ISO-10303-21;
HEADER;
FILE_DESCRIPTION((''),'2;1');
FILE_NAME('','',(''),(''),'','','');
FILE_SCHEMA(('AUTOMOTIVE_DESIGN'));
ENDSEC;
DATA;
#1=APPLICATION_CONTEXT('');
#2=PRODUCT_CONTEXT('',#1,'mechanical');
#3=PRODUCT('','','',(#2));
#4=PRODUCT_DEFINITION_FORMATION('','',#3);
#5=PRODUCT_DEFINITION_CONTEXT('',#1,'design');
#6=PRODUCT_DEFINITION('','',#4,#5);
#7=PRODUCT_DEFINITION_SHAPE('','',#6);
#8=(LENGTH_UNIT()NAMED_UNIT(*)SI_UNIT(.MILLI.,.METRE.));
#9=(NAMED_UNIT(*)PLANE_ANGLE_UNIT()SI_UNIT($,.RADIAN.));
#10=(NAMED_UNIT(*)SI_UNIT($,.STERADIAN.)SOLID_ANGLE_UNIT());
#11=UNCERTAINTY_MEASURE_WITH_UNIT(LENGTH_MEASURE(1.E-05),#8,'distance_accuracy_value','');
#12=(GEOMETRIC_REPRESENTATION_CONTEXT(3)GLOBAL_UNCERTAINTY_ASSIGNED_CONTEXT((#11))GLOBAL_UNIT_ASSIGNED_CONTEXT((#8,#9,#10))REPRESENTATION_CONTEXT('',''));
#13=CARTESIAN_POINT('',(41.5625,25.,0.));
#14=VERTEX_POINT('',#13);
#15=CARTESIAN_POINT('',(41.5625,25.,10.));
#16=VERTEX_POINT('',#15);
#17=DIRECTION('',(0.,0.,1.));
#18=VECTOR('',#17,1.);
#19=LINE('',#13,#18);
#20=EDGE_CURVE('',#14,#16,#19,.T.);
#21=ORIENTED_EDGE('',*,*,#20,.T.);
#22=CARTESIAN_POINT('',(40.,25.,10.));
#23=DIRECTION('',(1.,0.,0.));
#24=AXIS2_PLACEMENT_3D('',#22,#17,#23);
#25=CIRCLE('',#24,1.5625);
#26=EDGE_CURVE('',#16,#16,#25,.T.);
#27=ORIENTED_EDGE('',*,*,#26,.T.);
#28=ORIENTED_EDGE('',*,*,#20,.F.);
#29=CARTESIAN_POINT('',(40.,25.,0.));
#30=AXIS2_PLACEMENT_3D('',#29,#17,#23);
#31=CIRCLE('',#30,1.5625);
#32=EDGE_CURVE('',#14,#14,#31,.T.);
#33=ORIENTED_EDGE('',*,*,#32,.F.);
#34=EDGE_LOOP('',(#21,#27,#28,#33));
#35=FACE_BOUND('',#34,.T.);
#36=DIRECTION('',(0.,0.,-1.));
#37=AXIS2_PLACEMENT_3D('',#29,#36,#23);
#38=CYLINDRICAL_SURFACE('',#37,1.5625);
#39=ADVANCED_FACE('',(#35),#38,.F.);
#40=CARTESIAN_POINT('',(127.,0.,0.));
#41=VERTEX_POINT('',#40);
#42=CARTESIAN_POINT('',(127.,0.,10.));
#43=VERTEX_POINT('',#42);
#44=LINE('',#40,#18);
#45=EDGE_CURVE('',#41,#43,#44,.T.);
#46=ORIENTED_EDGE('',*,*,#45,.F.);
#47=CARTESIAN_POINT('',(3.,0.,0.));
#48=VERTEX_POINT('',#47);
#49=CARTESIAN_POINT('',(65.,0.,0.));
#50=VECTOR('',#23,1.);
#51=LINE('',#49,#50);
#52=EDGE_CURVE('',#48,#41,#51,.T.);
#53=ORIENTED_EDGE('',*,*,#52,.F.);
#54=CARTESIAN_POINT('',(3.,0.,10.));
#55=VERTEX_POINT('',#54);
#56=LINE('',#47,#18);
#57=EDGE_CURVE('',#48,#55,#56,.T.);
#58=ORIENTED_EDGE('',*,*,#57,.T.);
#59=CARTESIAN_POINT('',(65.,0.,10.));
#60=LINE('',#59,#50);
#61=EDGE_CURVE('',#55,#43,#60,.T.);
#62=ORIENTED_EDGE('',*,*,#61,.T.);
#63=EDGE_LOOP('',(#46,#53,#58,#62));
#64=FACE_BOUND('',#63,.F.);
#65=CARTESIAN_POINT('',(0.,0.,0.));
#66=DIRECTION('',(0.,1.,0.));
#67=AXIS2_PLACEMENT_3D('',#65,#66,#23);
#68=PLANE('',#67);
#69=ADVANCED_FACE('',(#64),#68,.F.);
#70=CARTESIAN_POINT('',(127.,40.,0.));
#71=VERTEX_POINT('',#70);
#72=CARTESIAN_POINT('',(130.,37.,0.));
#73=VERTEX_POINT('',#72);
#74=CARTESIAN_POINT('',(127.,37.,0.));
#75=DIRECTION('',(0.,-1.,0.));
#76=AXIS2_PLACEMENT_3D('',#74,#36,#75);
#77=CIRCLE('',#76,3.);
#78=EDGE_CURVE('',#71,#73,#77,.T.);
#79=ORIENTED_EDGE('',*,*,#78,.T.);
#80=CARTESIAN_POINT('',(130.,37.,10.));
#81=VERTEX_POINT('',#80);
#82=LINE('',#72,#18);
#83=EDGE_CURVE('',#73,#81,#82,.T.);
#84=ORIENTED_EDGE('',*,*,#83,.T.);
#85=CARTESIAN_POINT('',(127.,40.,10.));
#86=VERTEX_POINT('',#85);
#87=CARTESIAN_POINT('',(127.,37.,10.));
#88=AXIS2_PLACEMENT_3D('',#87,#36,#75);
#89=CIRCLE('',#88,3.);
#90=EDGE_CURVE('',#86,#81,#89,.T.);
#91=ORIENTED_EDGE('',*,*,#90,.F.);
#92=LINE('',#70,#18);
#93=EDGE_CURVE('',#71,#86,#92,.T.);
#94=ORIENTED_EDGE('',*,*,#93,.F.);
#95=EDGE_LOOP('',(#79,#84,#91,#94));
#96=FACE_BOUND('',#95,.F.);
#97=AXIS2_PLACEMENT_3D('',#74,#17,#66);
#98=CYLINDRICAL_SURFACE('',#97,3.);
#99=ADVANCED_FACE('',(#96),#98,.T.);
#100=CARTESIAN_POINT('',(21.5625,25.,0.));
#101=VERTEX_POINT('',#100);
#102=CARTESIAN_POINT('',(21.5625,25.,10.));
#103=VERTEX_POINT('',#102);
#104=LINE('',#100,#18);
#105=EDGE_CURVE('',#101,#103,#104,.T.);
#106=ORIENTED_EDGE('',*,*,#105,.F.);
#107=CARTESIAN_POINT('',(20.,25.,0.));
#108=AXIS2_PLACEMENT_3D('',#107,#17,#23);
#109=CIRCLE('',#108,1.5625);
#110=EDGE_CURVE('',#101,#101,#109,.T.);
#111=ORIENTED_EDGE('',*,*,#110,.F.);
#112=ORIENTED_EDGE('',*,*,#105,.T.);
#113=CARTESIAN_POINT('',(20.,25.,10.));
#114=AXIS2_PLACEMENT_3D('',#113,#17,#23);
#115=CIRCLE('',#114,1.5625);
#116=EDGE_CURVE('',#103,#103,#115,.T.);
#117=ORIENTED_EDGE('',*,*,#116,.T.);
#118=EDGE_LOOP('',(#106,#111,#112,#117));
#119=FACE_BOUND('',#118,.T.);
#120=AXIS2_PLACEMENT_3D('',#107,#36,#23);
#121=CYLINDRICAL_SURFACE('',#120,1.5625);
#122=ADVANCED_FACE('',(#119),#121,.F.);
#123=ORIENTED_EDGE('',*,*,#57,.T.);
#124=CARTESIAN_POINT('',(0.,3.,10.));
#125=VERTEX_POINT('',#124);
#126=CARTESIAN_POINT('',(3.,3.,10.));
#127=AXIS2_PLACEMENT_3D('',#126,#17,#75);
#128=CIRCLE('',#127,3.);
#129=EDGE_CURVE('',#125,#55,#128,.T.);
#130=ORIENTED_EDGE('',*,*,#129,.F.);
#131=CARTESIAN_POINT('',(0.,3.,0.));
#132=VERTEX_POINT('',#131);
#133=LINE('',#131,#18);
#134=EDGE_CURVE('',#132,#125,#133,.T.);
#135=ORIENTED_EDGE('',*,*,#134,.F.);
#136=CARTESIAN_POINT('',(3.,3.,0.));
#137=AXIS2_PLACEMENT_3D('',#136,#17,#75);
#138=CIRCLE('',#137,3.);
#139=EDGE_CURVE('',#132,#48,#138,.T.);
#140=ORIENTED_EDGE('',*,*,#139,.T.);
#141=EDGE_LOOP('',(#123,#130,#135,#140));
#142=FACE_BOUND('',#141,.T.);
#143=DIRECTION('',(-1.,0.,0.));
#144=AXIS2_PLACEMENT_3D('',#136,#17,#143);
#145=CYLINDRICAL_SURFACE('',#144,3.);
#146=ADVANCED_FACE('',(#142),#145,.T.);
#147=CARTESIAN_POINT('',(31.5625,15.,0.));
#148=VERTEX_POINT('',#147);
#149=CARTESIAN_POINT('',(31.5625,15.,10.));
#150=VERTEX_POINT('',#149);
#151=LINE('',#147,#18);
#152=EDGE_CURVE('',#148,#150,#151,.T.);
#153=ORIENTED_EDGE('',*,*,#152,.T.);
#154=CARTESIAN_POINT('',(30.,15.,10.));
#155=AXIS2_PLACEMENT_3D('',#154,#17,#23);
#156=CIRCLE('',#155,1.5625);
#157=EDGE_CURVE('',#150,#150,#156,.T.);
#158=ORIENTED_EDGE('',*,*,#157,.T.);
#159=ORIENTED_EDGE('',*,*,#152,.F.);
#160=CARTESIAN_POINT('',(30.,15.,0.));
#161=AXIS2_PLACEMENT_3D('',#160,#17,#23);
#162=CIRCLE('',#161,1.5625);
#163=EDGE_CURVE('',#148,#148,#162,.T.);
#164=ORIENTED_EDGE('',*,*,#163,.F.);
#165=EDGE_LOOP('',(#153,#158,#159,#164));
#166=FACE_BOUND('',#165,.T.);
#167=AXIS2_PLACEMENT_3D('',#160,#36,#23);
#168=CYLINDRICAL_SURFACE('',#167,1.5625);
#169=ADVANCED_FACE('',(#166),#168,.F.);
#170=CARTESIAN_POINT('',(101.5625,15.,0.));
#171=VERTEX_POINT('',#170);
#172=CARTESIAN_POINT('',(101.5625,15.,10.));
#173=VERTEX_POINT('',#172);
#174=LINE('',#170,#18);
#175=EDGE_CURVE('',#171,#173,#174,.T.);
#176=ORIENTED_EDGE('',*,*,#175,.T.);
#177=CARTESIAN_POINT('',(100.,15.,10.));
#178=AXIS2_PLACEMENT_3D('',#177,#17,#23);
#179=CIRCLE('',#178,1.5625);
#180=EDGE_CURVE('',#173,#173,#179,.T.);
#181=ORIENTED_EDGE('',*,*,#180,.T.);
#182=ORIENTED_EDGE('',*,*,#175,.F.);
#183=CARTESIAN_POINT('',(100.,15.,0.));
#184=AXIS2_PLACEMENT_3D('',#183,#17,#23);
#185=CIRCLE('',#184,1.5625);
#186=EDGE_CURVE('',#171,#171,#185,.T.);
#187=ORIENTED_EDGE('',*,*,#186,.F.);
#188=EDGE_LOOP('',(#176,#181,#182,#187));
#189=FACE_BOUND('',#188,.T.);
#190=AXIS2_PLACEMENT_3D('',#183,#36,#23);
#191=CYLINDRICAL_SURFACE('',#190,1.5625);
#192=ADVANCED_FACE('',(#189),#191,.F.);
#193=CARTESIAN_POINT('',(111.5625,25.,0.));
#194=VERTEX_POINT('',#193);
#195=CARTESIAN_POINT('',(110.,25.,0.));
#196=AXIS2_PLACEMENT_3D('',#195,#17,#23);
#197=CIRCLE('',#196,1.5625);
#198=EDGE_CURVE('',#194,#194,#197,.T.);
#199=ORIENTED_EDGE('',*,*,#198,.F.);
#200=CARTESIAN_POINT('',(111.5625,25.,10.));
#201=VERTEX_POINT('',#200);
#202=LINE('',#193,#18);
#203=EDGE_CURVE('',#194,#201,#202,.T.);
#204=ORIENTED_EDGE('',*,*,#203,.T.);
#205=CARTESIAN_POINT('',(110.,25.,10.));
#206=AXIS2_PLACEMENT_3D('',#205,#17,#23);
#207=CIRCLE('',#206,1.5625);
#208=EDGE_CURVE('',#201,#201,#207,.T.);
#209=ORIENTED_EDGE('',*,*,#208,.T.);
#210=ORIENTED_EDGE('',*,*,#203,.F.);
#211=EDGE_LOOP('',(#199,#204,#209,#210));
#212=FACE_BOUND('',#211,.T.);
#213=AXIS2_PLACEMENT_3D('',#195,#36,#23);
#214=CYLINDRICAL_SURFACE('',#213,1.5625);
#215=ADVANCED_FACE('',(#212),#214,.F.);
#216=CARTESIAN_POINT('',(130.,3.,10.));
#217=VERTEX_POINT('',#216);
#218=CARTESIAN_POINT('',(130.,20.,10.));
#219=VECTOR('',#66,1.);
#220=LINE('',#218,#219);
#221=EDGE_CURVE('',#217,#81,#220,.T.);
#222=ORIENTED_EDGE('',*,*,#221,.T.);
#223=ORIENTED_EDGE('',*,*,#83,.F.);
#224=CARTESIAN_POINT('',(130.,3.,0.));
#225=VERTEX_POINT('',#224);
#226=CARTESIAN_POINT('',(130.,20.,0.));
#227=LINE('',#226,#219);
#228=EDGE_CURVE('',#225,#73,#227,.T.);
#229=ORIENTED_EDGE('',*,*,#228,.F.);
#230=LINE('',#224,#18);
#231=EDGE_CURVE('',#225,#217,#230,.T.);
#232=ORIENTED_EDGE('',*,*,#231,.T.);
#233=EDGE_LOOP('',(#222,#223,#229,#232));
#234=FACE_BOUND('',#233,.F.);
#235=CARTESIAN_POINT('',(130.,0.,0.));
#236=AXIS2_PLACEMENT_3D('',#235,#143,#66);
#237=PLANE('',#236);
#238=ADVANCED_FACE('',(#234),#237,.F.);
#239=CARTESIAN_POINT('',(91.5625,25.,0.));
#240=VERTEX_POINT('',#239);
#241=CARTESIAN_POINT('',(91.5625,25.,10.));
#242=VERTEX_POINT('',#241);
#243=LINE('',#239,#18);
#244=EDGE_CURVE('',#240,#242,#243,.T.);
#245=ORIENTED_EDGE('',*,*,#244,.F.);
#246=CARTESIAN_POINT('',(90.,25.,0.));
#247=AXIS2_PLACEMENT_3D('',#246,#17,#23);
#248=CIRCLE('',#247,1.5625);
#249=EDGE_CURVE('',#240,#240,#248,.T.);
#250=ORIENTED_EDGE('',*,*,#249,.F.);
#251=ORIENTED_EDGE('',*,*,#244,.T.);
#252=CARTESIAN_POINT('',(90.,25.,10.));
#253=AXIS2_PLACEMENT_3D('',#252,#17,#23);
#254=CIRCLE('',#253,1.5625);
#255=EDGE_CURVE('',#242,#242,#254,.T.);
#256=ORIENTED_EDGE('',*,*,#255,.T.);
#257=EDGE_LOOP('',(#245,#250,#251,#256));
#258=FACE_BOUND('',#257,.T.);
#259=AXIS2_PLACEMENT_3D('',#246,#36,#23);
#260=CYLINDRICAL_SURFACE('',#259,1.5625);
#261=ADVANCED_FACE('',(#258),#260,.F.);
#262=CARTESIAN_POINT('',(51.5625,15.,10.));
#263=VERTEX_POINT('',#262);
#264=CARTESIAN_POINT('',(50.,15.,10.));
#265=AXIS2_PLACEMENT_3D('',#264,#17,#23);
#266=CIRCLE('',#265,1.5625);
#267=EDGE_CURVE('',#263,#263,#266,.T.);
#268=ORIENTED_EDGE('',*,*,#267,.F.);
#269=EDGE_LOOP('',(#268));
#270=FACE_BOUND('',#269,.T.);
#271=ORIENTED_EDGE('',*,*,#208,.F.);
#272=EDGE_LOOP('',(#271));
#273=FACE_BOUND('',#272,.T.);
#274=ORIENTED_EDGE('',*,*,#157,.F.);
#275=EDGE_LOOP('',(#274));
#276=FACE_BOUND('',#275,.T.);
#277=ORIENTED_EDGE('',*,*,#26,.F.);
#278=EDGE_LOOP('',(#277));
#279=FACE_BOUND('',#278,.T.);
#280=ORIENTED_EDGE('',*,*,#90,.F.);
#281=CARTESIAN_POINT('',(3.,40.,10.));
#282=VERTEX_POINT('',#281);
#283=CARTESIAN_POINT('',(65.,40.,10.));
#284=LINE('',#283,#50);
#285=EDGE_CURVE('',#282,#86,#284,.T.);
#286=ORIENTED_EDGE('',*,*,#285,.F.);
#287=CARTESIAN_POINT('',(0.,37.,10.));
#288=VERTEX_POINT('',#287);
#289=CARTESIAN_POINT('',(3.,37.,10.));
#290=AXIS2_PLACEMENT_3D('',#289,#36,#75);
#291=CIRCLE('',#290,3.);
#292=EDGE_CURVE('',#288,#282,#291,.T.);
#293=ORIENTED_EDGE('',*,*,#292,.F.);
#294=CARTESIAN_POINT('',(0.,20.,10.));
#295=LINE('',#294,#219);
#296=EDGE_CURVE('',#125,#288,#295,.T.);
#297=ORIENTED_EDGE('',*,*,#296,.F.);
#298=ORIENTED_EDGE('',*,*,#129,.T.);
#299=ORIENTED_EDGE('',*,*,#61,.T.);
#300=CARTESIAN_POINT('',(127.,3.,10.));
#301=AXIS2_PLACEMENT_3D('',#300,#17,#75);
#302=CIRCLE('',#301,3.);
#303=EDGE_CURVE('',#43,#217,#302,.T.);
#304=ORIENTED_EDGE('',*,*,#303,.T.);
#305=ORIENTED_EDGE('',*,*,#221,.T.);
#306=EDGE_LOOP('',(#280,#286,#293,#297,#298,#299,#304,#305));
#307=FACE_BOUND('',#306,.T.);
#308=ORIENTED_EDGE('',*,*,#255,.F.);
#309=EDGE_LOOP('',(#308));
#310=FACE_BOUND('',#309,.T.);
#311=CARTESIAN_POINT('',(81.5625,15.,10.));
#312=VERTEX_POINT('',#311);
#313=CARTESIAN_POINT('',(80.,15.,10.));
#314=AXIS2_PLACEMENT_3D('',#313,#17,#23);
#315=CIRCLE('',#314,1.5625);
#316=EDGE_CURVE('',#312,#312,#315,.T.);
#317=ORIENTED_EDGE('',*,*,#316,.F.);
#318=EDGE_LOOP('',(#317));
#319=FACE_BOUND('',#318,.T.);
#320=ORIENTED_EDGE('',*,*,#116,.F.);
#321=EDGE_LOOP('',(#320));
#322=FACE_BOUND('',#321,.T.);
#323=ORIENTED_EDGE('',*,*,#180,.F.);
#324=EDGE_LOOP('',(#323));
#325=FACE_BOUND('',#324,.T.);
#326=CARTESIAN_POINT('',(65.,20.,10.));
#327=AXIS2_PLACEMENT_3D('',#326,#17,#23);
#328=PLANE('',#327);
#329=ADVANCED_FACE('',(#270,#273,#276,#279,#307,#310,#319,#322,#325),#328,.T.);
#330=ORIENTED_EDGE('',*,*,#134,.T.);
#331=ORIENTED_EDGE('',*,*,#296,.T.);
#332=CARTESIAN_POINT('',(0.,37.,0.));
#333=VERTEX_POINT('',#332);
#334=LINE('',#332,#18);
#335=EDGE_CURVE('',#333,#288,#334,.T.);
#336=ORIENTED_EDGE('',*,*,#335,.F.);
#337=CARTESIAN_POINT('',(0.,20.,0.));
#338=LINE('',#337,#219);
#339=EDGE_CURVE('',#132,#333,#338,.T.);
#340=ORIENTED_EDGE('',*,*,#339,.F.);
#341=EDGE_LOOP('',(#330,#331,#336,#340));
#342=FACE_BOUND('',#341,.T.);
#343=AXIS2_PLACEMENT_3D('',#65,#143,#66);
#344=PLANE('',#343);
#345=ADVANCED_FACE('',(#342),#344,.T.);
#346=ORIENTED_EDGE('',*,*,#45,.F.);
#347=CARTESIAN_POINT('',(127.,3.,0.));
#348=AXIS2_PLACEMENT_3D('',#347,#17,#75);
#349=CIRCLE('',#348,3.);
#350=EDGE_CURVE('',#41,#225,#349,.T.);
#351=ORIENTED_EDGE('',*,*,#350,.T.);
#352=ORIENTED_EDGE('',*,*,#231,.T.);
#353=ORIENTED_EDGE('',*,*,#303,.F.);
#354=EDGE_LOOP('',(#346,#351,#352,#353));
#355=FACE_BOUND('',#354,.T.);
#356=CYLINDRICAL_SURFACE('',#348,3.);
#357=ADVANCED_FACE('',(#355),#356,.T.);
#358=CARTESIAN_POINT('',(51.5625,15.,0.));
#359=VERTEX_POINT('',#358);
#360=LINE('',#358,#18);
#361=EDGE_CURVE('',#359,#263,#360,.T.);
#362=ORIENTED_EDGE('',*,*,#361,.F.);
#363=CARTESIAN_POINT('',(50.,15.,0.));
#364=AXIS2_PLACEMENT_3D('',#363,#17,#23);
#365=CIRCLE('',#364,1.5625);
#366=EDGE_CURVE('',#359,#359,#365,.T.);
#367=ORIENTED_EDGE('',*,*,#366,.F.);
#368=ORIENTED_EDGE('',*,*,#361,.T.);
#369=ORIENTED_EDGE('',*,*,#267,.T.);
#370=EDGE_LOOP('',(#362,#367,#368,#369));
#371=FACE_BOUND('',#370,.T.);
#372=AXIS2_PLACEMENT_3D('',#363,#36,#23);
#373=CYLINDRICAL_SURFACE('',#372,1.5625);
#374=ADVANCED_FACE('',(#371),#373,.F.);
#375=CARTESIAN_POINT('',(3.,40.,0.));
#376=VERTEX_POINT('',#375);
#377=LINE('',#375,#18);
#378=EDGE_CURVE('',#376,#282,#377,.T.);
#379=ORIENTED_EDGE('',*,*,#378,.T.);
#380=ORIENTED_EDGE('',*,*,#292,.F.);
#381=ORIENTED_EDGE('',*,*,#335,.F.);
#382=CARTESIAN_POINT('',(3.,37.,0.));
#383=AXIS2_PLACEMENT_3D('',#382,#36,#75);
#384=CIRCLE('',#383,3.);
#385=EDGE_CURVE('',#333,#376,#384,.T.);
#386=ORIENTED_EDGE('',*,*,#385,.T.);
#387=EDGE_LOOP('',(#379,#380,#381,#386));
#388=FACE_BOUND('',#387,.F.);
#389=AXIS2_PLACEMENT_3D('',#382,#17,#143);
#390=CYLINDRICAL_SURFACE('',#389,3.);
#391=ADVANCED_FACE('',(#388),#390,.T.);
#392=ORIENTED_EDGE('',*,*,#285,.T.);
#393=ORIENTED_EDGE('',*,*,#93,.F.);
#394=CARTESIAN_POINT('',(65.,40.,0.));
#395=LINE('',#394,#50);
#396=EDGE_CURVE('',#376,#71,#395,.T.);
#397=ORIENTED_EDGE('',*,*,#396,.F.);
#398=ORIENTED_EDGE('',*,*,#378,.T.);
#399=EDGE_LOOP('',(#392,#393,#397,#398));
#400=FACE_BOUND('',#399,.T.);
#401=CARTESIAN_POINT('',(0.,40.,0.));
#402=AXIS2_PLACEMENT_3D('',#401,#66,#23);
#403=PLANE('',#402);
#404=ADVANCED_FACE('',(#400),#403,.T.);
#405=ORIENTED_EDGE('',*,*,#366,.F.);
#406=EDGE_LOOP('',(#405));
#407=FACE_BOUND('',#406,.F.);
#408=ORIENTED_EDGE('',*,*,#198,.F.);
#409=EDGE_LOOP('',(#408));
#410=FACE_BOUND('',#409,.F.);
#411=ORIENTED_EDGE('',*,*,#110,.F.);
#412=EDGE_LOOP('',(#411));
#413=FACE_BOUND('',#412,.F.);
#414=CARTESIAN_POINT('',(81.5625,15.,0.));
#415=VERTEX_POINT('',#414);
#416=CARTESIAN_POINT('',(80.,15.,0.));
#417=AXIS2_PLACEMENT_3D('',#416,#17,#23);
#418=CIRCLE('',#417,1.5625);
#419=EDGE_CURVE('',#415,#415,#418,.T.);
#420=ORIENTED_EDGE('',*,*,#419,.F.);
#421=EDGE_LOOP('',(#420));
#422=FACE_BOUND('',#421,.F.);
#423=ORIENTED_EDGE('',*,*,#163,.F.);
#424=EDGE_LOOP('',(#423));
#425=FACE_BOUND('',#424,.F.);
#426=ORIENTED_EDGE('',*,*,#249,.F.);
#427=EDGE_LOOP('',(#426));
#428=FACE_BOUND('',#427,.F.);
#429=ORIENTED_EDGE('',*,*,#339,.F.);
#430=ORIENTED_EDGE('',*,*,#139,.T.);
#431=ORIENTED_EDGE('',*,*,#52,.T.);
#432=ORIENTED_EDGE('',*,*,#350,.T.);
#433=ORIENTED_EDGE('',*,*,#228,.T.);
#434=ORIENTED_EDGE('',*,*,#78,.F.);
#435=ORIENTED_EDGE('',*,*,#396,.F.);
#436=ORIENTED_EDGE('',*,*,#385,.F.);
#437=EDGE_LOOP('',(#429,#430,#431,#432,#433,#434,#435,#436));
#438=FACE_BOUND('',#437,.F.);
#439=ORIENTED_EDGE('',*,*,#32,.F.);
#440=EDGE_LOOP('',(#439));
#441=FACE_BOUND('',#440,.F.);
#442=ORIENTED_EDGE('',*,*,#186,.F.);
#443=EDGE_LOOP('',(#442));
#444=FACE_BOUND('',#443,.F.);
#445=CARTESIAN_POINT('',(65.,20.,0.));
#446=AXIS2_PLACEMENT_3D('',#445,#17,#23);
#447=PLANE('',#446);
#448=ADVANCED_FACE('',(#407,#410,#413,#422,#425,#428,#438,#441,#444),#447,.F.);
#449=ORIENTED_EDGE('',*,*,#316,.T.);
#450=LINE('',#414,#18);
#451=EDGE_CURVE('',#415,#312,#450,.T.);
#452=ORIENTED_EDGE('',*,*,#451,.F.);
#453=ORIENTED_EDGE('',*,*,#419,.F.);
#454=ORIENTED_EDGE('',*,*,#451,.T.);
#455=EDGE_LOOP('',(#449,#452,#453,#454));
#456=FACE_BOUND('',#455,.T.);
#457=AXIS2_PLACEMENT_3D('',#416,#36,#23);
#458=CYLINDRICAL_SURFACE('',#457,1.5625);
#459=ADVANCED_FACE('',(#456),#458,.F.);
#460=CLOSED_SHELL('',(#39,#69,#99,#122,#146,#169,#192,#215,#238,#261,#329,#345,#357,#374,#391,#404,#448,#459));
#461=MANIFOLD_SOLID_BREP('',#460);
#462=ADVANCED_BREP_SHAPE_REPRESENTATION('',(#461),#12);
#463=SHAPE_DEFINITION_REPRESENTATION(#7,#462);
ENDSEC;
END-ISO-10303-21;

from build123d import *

# Parameters (mm, degrees)
SKETCH_W  = 130
SKETCH_H  = 40
SKETCH_R  = 1.5625
PAD_DEPTH = 10
FILLET_R  = 3


with BuildPart() as part:
    # Sketch → Pad (new body)
    with BuildSketch(Plane.XY):
        with Locations((65, 20)):
            Rectangle(SKETCH_W, SKETCH_H)
        with Locations((20, 25)):
            Circle(SKETCH_R, mode=Mode.SUBTRACT)
        with Locations((40, 25)):
            Circle(SKETCH_R, mode=Mode.SUBTRACT)
        with Locations((30, 15)):
            Circle(SKETCH_R, mode=Mode.SUBTRACT)
        with Locations((50, 15)):
            Circle(SKETCH_R, mode=Mode.SUBTRACT)
        with Locations((110, 25)):
            Circle(SKETCH_R, mode=Mode.SUBTRACT)
        with Locations((90, 25)):
            Circle(SKETCH_R, mode=Mode.SUBTRACT)
        with Locations((100, 15)):
            Circle(SKETCH_R, mode=Mode.SUBTRACT)
        with Locations((80, 15)):
            Circle(SKETCH_R, mode=Mode.SUBTRACT)
    extrude(amount=PAD_DEPTH)

    # Fillet
    fillet_edges = [part.edges().sort_by_distance(p)[0] for p in [
        (0, 0, 5),
        (130, 0, 5),
        (130, 40, 5),
        (0, 40, 5),
    ]]
    fillet(fillet_edges, radius=FILLET_R)


solid = part.part
